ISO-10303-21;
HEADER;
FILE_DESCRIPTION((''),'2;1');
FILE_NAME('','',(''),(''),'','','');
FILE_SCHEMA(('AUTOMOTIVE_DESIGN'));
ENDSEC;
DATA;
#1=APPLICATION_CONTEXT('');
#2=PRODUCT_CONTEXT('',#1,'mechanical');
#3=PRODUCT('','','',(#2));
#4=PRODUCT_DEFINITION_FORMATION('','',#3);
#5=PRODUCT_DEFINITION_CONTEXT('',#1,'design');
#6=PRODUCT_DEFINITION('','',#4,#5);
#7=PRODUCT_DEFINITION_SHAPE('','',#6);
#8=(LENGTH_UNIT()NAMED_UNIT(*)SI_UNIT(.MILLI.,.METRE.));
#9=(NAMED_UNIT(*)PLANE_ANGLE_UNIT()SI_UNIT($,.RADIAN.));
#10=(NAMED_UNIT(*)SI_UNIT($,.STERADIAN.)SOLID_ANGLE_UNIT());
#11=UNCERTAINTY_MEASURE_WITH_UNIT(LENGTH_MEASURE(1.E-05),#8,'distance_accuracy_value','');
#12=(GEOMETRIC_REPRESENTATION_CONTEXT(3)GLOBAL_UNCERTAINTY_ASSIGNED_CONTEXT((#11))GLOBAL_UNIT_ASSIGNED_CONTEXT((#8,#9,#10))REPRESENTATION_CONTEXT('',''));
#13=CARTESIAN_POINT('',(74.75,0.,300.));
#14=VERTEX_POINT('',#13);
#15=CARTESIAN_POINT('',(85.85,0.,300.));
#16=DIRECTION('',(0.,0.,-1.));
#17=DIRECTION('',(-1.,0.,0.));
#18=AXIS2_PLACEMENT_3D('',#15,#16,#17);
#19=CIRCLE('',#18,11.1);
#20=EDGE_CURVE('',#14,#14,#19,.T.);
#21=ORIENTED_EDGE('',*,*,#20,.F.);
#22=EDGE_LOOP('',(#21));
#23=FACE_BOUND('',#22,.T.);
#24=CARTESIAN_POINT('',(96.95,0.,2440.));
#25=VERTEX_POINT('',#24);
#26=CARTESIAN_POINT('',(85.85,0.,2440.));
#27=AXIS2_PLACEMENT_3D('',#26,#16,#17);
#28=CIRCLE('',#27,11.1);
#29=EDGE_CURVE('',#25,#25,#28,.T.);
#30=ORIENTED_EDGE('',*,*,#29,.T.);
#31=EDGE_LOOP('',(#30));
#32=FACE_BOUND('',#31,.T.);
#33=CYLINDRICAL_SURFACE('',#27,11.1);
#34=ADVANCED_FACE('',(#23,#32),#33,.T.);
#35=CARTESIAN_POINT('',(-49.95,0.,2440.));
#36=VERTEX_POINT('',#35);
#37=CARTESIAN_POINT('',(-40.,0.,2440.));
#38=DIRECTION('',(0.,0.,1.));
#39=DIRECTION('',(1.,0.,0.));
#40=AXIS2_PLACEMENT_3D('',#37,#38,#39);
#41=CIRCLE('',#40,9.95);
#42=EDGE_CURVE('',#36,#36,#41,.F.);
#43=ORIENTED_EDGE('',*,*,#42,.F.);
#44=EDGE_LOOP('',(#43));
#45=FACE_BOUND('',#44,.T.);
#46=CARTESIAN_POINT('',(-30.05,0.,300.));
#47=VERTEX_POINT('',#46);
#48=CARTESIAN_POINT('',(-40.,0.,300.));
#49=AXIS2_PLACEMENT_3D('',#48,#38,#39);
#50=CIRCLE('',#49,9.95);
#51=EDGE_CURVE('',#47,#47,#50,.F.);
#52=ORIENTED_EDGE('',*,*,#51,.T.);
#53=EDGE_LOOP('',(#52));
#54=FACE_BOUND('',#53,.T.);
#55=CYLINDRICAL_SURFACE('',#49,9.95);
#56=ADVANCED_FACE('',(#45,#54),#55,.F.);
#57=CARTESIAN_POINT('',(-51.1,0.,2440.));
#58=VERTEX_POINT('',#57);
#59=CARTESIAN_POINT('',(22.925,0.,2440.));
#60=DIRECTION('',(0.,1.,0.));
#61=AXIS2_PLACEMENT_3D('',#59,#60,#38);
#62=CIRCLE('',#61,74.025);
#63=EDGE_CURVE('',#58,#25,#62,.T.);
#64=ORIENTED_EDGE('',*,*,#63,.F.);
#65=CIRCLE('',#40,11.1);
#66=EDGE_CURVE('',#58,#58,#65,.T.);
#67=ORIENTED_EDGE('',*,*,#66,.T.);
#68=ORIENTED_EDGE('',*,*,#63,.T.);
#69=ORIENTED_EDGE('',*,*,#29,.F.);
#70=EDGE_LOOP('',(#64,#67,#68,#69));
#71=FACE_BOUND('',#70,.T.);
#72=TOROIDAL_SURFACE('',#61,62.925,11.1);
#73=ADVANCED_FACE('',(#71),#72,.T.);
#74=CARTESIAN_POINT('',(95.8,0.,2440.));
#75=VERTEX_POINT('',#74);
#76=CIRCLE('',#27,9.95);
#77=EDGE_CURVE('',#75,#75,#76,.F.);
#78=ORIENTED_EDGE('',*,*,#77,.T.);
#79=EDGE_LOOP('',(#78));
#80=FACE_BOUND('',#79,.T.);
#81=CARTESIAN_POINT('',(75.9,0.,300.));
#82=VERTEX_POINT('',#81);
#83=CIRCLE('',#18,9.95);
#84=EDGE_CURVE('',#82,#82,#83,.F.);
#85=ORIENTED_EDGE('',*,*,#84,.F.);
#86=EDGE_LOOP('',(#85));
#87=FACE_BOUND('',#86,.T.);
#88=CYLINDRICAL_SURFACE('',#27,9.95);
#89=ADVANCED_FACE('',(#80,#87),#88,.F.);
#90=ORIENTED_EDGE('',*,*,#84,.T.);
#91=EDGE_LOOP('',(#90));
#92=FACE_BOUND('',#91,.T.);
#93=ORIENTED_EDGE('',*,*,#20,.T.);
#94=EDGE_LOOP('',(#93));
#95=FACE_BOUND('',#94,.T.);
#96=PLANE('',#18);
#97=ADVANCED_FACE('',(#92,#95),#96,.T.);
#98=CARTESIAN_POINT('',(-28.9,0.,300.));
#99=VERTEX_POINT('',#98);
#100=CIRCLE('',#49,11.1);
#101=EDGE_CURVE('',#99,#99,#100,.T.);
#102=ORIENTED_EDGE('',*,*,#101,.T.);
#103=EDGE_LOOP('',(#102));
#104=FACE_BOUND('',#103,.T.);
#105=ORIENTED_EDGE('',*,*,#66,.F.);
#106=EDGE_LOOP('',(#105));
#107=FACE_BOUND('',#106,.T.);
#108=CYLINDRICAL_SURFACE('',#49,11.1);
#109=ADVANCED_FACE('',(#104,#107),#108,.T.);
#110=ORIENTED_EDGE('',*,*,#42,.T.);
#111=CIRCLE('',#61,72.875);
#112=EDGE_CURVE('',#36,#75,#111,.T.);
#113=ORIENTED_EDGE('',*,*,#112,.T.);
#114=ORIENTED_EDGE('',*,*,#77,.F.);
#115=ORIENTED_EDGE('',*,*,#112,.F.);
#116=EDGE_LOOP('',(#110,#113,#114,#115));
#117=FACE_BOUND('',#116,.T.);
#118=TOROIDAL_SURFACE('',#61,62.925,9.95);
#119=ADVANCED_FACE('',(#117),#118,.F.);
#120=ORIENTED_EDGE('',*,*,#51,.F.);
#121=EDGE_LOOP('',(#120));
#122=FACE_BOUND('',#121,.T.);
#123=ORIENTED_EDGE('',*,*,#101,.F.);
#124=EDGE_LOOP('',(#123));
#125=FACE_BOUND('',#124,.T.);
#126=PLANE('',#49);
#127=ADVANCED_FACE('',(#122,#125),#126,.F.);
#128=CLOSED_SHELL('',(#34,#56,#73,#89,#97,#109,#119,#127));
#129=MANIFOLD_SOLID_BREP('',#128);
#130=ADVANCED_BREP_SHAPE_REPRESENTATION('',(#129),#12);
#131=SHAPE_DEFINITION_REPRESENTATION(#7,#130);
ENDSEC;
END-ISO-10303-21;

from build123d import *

# Parameters (mm, degrees)
SKETCH2_R   = 11.1
SKETCH2_R_2 = 9.95


with BuildPart() as part:
    # Sweep1: sweep along a path in Sketch1
    with BuildLine(Plane(origin=(0, 0, 0), x_dir=(1, 0, 0), z_dir=(0, 1, 0))) as sweep1_path:
        Line((85.85, -300), (85.85, -2440))
        ThreePointArc((85.85, -2440), (22.925, -2502.925), (-40, -2440))
        Line((-40, -2440), (-40, -300))
    # Sketch2 → Sweep1 (sweep)
    with BuildSketch(Plane(origin=(85.85, 0, 300), x_dir=(-1, 0, 0), z_dir=(0, 0, -1))):
        Circle(SKETCH2_R)
        Circle(SKETCH2_R_2, mode=Mode.SUBTRACT)
    sweep(path=sweep1_path.line)


solid = part.part
